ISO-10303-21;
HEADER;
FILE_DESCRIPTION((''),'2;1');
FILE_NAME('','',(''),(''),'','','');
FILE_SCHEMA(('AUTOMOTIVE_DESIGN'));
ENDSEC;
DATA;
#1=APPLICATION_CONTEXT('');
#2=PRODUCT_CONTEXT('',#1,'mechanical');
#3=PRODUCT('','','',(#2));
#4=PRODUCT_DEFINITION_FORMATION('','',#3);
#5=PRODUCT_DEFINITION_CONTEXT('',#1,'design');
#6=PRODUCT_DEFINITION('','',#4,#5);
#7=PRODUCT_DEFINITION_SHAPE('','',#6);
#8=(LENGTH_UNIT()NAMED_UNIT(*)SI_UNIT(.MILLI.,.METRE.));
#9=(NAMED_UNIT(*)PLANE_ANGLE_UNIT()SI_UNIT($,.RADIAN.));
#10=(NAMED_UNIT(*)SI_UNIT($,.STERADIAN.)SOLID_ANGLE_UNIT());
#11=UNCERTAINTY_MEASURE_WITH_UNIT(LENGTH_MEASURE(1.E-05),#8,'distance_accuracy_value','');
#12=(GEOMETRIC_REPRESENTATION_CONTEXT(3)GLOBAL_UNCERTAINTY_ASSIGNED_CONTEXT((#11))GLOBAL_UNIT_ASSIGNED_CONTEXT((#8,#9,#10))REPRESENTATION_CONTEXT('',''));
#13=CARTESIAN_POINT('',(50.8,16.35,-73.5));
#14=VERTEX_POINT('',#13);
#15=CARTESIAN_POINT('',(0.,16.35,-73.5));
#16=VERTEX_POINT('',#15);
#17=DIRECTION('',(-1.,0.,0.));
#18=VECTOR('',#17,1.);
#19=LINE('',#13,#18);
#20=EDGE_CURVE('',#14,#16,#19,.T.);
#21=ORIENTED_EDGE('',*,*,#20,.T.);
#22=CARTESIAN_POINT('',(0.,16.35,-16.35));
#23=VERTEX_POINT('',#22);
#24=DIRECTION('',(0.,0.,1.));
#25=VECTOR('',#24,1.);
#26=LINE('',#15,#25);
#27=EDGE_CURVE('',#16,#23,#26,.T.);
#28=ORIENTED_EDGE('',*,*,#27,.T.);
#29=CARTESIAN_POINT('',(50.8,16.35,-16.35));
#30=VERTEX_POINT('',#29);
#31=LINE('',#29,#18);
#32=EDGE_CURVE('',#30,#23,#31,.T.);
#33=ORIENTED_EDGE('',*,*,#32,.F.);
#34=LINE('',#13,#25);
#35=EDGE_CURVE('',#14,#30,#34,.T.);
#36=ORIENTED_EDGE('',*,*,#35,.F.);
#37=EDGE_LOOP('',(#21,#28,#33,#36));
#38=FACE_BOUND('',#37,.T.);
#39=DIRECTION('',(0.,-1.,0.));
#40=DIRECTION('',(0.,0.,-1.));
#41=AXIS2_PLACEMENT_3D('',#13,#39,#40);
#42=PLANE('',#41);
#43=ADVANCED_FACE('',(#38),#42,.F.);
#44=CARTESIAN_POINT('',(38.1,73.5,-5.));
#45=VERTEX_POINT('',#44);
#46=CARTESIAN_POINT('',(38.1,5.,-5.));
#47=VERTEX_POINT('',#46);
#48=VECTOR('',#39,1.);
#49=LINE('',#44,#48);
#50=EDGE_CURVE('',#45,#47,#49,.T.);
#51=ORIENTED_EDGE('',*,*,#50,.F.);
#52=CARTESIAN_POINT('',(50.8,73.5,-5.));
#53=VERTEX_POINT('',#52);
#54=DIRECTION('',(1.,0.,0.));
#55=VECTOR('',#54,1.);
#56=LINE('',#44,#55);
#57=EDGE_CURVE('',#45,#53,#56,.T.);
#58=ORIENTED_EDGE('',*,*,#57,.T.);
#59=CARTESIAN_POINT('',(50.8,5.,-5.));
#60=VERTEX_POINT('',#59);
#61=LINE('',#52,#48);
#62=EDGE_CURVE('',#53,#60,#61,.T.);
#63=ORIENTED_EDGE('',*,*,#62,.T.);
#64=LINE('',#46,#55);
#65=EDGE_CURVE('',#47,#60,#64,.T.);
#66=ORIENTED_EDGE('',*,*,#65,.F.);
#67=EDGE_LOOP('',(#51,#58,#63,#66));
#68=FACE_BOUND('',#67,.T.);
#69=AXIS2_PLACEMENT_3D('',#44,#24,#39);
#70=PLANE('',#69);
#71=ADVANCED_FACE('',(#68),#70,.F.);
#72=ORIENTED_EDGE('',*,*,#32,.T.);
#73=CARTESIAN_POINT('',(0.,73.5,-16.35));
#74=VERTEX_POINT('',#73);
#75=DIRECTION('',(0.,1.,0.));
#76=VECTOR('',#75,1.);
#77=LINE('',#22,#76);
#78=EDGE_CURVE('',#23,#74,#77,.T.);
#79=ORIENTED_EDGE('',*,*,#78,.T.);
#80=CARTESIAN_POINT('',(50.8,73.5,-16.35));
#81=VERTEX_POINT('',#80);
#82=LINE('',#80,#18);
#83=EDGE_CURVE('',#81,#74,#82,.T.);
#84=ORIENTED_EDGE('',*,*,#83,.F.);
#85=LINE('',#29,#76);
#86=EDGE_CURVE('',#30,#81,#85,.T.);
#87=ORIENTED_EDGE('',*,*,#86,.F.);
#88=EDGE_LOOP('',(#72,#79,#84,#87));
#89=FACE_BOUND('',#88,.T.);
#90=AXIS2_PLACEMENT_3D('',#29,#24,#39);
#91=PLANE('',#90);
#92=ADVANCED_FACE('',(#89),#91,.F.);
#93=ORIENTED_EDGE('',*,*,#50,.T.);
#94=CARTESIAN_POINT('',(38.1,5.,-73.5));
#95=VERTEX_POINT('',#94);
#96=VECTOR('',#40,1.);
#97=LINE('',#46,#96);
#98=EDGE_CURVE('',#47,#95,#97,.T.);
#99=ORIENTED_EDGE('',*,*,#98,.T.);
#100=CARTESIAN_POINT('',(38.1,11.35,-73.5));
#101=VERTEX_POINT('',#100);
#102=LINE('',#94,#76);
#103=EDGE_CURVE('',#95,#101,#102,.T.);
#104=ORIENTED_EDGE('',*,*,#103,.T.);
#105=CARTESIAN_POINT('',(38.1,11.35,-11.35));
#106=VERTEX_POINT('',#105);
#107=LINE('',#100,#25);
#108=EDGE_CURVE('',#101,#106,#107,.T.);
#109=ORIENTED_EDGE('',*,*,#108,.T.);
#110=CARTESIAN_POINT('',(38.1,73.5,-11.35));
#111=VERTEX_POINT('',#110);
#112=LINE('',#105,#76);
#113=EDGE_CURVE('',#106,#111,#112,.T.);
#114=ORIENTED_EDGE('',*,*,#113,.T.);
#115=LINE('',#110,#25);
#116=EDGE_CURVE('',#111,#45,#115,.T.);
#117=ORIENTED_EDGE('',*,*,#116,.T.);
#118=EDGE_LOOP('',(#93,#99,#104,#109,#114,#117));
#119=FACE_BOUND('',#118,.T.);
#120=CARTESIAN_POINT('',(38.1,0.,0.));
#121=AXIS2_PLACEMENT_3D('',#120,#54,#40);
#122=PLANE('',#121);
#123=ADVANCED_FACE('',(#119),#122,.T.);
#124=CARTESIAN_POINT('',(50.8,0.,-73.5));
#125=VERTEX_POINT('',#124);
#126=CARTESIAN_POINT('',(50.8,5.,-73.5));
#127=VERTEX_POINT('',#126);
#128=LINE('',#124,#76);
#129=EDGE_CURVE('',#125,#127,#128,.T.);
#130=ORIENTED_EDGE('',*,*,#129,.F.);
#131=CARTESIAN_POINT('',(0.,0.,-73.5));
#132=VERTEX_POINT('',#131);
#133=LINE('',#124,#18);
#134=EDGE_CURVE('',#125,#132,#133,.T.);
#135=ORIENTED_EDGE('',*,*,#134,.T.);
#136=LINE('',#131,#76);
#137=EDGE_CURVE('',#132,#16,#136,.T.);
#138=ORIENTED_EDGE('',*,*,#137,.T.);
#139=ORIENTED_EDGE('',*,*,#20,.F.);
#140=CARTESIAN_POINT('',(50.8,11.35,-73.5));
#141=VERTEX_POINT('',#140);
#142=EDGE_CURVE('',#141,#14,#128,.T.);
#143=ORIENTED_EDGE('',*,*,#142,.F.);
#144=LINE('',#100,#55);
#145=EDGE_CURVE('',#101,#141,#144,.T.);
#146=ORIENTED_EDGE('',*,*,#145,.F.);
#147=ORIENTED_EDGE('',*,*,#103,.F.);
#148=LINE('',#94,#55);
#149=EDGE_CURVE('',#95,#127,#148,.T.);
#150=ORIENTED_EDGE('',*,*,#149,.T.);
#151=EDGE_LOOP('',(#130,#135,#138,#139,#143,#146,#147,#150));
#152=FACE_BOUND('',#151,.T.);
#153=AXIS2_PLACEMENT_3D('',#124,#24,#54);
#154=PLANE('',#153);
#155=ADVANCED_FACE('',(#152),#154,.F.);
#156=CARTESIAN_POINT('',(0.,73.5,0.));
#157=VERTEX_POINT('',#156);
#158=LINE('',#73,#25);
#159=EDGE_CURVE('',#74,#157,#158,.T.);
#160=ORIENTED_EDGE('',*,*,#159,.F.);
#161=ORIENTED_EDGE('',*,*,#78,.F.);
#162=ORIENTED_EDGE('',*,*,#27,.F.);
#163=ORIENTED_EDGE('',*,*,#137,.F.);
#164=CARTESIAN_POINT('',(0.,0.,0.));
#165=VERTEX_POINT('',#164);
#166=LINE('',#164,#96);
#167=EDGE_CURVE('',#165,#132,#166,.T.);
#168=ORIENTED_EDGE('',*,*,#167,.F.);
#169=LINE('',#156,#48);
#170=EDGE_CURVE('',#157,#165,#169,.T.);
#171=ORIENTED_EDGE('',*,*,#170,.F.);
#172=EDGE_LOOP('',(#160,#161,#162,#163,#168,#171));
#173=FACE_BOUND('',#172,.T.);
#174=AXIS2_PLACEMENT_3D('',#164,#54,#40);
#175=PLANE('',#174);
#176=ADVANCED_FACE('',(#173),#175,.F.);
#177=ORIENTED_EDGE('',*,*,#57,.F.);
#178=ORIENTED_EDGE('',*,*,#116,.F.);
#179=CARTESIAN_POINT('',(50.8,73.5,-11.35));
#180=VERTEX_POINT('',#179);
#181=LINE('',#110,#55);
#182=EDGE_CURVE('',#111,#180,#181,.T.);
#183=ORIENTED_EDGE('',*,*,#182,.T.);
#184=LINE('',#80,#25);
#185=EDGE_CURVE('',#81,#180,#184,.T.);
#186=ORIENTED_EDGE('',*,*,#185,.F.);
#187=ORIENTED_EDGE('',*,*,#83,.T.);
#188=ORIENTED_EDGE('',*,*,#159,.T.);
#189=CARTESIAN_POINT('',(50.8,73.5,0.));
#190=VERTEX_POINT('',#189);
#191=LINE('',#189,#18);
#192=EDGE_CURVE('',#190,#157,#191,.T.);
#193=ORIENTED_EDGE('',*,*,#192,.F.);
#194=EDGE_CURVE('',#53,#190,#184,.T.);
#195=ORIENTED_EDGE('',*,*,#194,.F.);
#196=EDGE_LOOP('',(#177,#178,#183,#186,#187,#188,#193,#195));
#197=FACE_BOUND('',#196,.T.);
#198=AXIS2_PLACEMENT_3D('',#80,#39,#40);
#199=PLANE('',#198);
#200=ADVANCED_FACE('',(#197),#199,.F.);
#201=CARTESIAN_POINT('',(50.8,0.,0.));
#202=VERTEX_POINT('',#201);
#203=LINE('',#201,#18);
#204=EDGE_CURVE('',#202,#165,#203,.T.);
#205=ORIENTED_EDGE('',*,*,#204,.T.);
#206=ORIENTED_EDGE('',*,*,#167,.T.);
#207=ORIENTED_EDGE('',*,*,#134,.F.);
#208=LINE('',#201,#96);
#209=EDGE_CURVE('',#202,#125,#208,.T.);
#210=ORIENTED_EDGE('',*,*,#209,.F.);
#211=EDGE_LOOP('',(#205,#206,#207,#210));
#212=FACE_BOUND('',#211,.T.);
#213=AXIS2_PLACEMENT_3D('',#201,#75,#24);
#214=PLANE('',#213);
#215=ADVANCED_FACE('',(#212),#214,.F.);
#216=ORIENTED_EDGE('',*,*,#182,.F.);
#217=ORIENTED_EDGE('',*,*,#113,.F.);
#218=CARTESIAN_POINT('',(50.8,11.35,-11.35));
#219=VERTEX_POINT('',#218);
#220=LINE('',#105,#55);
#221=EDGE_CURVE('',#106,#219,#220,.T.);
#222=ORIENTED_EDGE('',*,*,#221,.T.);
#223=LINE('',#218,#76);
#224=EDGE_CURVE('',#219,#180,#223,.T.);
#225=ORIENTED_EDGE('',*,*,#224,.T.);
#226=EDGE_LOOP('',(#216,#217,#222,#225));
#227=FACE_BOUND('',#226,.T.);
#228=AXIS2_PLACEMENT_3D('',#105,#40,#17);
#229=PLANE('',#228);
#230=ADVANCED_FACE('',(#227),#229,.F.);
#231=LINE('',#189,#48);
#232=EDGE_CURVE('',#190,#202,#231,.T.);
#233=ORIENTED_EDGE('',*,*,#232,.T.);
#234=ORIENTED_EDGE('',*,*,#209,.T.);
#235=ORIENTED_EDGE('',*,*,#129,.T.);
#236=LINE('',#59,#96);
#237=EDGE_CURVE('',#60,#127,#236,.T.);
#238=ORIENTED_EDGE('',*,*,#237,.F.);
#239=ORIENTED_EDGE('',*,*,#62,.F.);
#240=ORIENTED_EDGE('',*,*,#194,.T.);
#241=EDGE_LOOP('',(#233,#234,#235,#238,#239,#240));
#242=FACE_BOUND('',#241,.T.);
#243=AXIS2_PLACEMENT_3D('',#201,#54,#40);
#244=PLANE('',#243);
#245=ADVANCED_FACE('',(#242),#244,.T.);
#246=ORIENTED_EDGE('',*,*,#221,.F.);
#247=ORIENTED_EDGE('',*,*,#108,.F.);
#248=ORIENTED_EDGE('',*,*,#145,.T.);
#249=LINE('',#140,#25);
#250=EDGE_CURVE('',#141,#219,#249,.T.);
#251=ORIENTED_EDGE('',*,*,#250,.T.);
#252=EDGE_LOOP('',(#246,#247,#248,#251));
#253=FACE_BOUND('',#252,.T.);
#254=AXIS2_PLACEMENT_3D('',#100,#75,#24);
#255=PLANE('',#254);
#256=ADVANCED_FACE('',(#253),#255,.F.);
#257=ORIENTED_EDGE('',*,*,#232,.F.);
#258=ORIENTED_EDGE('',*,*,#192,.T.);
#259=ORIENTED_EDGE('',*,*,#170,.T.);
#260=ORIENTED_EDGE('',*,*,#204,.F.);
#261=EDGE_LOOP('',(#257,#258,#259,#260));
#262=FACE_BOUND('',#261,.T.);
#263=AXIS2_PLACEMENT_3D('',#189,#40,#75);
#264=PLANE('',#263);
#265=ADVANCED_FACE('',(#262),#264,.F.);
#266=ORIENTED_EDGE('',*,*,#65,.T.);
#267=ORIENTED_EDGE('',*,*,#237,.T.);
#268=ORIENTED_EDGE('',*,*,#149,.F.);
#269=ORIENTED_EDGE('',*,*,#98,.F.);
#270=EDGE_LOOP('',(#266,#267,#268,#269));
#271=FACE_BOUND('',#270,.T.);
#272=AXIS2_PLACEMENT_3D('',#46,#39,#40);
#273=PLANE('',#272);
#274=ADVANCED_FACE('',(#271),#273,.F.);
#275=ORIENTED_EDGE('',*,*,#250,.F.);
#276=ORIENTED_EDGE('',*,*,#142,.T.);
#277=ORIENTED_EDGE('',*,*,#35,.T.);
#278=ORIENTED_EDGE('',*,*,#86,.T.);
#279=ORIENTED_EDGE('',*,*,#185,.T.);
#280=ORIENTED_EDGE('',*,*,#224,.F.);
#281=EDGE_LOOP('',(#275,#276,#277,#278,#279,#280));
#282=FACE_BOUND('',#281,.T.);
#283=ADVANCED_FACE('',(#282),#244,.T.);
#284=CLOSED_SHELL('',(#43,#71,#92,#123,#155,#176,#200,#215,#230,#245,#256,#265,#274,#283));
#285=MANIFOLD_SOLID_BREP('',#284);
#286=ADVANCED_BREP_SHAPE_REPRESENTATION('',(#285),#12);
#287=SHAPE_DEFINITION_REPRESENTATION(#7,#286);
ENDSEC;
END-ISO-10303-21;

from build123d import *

# Parameters (mm, degrees)
BOSS_EXTRUDE2_DEPTH = 50.8
CUT_EXTRUDE1_DEPTH  = 12.7


with BuildPart() as part:
    # Sketch2 → Boss-Extrude2 (new body)
    with BuildSketch(Plane(origin=(0, 0, 0), x_dir=(0, 0, -1), z_dir=(1, 0, 0))):
        Polygon((0, 0), (73.5, 0), (73.5, 16.35), (16.35, 16.35), (16.35, 73.5), (0, 73.5), align=None)
    extrude(amount=BOSS_EXTRUDE2_DEPTH)

    # Sketch3 → Cut-Extrude1 (cut)
    with BuildSketch(Plane(origin=(50.8, 0, 0), x_dir=(0, 0, -1), z_dir=(1, 0, 0))):
        Polygon((5, 5), (73.5, 5), (73.5, 11.35), (11.35, 11.35), (11.35, 73.5), (5, 73.5), align=None)
    extrude(amount=-CUT_EXTRUDE1_DEPTH, mode=Mode.SUBTRACT)


solid = part.part
